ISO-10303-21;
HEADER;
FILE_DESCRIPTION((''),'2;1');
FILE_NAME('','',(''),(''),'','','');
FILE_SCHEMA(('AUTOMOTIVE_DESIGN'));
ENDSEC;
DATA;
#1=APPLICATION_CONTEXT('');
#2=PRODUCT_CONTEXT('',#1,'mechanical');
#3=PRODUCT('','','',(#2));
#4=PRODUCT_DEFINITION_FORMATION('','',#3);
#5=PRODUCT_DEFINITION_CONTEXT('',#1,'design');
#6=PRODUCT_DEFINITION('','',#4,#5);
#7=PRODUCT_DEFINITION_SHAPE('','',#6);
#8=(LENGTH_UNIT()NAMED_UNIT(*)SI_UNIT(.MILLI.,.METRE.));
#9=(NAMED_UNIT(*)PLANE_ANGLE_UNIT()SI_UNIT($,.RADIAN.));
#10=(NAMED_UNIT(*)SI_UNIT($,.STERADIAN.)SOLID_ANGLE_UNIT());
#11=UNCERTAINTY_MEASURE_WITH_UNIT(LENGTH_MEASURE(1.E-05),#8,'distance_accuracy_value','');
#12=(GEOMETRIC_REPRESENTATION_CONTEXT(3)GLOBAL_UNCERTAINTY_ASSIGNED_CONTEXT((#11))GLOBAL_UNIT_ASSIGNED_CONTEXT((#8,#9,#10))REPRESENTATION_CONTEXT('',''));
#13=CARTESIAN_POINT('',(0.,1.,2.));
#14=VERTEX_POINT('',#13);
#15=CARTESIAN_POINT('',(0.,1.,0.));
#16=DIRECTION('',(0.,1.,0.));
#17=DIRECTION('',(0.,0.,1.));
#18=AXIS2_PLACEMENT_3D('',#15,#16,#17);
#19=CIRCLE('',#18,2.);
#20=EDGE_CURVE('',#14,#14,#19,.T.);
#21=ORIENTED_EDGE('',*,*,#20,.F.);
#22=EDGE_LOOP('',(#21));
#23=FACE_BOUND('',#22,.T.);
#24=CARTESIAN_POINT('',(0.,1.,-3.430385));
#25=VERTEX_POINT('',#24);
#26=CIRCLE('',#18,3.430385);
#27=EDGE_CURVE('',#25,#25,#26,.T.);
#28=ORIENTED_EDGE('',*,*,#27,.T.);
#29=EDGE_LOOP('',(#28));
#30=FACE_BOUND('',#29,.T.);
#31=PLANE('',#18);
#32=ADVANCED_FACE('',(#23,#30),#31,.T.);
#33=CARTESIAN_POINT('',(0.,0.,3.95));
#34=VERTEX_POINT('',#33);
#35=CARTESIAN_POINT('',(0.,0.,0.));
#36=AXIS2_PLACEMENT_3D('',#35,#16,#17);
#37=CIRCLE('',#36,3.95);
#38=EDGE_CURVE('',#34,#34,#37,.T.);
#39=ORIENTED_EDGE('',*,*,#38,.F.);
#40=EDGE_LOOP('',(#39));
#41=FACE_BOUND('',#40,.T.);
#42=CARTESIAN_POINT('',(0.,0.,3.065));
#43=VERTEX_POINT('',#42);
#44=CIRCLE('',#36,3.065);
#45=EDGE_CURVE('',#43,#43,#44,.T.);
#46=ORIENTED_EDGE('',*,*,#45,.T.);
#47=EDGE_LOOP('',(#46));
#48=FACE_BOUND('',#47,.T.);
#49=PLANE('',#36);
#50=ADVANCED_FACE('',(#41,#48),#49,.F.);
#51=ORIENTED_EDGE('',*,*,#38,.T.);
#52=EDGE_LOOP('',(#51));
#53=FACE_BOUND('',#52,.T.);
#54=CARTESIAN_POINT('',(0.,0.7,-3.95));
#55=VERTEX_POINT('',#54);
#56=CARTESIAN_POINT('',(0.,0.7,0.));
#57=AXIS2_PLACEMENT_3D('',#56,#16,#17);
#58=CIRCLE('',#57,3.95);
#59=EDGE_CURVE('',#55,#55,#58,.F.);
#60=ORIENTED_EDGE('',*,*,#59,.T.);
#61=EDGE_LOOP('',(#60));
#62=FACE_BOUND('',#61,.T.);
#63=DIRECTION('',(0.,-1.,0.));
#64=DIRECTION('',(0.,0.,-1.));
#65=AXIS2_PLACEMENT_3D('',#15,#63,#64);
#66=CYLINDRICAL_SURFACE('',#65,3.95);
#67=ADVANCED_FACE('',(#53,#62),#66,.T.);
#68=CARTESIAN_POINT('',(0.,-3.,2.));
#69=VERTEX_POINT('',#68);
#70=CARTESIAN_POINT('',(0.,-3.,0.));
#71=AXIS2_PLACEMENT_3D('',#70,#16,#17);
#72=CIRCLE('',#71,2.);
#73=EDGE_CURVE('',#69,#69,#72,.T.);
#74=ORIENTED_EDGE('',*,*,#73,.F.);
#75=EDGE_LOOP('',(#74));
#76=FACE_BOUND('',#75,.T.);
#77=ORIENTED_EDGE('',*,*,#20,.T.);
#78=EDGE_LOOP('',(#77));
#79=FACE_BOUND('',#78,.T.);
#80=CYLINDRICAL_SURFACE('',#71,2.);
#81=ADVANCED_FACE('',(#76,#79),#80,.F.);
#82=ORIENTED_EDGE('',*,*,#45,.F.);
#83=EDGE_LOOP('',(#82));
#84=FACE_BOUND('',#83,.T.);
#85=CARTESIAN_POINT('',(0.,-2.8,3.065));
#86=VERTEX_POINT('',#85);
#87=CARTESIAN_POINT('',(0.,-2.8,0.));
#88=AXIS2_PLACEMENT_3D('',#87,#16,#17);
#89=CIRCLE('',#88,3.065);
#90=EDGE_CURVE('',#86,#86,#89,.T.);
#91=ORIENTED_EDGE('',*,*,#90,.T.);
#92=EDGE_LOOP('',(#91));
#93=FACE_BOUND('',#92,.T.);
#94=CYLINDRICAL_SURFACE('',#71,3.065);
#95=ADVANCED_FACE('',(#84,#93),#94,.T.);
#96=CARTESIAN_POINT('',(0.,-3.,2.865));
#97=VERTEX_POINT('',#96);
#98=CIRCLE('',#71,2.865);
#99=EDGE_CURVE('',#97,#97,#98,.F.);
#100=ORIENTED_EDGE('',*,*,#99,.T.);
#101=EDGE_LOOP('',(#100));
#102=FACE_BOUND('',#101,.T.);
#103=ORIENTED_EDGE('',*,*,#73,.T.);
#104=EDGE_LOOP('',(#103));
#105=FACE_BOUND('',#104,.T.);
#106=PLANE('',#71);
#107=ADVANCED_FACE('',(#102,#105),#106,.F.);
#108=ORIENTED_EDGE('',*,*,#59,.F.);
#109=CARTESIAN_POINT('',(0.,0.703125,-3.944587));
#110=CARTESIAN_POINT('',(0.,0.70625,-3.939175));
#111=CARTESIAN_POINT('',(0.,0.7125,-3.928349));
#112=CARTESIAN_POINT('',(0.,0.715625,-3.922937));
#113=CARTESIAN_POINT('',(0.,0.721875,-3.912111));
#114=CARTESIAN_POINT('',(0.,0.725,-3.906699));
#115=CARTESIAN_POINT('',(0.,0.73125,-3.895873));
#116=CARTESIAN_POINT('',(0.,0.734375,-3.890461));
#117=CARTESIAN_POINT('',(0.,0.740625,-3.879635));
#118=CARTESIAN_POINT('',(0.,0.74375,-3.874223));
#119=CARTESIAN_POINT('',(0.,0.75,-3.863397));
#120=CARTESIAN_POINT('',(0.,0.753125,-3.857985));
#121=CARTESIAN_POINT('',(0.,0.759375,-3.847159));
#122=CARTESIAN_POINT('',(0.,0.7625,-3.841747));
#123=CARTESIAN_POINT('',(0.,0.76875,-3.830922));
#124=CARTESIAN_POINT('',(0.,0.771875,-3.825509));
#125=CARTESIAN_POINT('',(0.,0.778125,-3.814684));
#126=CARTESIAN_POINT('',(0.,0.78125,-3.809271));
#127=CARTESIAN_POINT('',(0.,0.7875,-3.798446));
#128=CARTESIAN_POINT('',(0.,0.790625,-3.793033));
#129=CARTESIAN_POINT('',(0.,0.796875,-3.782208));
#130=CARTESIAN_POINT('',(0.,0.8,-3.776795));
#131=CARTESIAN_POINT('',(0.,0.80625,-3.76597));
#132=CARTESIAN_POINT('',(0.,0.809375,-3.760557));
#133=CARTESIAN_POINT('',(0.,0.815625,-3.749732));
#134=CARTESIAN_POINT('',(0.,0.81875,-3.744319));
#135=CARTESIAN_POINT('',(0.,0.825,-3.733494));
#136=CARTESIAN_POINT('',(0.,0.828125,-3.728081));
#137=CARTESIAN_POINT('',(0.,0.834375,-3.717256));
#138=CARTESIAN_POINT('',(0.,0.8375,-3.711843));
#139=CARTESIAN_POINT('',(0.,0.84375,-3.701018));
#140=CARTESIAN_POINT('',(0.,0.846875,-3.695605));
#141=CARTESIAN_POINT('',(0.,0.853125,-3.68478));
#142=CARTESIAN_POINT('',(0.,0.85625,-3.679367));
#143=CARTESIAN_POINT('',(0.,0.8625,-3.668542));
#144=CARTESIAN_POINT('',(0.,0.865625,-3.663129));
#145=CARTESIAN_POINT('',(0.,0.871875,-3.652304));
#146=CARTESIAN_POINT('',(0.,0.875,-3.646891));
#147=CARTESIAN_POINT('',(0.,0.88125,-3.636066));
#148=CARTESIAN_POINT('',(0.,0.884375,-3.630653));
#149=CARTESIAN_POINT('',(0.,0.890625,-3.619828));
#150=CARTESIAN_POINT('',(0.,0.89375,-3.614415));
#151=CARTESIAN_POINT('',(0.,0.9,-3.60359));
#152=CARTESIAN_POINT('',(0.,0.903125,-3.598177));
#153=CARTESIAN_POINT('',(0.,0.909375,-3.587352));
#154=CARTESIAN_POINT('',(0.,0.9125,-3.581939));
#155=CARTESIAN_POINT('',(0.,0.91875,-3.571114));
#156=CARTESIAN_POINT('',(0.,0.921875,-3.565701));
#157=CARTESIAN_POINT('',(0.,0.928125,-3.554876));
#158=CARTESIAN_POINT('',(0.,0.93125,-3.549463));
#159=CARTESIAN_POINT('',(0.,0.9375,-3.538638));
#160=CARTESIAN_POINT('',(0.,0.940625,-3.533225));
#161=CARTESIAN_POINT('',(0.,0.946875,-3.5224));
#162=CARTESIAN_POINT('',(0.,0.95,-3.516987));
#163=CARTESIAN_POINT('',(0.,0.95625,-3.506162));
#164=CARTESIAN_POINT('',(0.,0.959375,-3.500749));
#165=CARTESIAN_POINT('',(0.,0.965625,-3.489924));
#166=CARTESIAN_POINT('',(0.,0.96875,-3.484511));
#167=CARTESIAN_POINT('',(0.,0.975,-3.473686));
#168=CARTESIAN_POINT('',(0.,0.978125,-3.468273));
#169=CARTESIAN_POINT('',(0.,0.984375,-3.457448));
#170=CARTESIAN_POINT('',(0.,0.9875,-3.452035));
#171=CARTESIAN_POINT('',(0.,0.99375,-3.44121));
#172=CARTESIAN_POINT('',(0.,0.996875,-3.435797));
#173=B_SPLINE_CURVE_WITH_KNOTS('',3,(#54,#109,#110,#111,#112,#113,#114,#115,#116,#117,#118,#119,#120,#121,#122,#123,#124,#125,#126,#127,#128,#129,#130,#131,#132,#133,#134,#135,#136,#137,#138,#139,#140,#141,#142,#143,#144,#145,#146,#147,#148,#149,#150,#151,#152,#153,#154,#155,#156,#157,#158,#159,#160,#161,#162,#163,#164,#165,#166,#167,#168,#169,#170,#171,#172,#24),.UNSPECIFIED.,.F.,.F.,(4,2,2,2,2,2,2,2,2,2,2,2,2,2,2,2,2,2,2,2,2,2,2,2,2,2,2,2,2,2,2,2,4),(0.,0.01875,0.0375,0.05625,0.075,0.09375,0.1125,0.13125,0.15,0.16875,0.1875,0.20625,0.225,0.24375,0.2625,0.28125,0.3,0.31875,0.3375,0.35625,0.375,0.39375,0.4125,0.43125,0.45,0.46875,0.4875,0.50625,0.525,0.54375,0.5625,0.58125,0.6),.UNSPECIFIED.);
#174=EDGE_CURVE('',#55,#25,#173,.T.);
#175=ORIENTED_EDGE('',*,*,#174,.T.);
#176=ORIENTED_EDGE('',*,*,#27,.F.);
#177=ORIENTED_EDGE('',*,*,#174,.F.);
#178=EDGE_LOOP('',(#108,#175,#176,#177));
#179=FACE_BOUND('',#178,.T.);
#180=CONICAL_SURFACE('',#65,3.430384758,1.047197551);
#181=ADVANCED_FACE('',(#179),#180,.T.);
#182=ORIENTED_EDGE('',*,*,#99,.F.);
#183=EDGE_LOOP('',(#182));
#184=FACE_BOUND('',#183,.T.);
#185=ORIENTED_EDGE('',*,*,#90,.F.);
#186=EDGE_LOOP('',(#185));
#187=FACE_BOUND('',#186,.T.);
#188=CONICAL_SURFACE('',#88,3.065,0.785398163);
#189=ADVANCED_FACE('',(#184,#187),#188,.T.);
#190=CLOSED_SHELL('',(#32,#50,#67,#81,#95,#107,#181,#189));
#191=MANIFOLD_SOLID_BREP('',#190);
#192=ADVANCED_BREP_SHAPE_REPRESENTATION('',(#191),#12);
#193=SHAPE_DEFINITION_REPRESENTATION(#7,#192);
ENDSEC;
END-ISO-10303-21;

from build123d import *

# Parameters (mm, degrees)
SKETCH_1_R      = 3.065
SKETCH_1_R_2    = 2
EXTRUDE_1_DEPTH = 3
EXTRUDE_START   = 1
SKETCH_2_R      = 3.95
SKETCH_2_R_2    = 2
EXTRUDE_2_DEPTH = 1
CHAMFER_1_SIZE  = 0.3
CHAMFER_1_SIZE2 = 0.519615242
CHAMFER_2_SIZE  = 0.2


with BuildPart() as part:
    # 草图1 → 凸台-拉伸1 (new body)
    with BuildSketch(Plane(origin=(0, 0, 0), x_dir=(1, 0, 0), z_dir=(0, 1, 0))):
        with Locations(Location((0, 0, 0), (0, 0, 270))):
            Circle(SKETCH_1_R)
        with Locations(Location((0, 0, 0), (0, 0, 270))):
            Circle(SKETCH_1_R_2, mode=Mode.SUBTRACT)
    extrude(amount=-EXTRUDE_1_DEPTH)

    # 草图2 → 凸台-拉伸2 (add)
    with BuildSketch(Plane(origin=(0, 0, 0), x_dir=(1, 0, 0), z_dir=(0, 1, 0)).offset(EXTRUDE_START)):
        with Locations(Location((0, 0, 0), (0, 0, 270))):
            Circle(SKETCH_2_R)
        with Locations(Location((0, 0, 0), (0, 0, 270))):
            Circle(SKETCH_2_R_2, mode=Mode.SUBTRACT)
    extrude(amount=-EXTRUDE_2_DEPTH)

    # 倒角1
    chamfer_1_edges = [part.edges().sort_by_distance(p)[0] for p in [
        (0, 1, -3.95),
    ]]
    chamfer_1_side = [part.faces().sort_by_distance(p)[0] for p in [
        (0, 0.5, -3.95),
    ]]
    chamfer(chamfer_1_edges, length=CHAMFER_1_SIZE, length2=CHAMFER_1_SIZE2, reference=chamfer_1_side[0])

    # 倒角2
    chamfer_2_edges = [part.edges().sort_by_distance(p)[0] for p in [
        (0, -3, -3.065),
    ]]
    chamfer(chamfer_2_edges, length=CHAMFER_2_SIZE)


solid = part.part
